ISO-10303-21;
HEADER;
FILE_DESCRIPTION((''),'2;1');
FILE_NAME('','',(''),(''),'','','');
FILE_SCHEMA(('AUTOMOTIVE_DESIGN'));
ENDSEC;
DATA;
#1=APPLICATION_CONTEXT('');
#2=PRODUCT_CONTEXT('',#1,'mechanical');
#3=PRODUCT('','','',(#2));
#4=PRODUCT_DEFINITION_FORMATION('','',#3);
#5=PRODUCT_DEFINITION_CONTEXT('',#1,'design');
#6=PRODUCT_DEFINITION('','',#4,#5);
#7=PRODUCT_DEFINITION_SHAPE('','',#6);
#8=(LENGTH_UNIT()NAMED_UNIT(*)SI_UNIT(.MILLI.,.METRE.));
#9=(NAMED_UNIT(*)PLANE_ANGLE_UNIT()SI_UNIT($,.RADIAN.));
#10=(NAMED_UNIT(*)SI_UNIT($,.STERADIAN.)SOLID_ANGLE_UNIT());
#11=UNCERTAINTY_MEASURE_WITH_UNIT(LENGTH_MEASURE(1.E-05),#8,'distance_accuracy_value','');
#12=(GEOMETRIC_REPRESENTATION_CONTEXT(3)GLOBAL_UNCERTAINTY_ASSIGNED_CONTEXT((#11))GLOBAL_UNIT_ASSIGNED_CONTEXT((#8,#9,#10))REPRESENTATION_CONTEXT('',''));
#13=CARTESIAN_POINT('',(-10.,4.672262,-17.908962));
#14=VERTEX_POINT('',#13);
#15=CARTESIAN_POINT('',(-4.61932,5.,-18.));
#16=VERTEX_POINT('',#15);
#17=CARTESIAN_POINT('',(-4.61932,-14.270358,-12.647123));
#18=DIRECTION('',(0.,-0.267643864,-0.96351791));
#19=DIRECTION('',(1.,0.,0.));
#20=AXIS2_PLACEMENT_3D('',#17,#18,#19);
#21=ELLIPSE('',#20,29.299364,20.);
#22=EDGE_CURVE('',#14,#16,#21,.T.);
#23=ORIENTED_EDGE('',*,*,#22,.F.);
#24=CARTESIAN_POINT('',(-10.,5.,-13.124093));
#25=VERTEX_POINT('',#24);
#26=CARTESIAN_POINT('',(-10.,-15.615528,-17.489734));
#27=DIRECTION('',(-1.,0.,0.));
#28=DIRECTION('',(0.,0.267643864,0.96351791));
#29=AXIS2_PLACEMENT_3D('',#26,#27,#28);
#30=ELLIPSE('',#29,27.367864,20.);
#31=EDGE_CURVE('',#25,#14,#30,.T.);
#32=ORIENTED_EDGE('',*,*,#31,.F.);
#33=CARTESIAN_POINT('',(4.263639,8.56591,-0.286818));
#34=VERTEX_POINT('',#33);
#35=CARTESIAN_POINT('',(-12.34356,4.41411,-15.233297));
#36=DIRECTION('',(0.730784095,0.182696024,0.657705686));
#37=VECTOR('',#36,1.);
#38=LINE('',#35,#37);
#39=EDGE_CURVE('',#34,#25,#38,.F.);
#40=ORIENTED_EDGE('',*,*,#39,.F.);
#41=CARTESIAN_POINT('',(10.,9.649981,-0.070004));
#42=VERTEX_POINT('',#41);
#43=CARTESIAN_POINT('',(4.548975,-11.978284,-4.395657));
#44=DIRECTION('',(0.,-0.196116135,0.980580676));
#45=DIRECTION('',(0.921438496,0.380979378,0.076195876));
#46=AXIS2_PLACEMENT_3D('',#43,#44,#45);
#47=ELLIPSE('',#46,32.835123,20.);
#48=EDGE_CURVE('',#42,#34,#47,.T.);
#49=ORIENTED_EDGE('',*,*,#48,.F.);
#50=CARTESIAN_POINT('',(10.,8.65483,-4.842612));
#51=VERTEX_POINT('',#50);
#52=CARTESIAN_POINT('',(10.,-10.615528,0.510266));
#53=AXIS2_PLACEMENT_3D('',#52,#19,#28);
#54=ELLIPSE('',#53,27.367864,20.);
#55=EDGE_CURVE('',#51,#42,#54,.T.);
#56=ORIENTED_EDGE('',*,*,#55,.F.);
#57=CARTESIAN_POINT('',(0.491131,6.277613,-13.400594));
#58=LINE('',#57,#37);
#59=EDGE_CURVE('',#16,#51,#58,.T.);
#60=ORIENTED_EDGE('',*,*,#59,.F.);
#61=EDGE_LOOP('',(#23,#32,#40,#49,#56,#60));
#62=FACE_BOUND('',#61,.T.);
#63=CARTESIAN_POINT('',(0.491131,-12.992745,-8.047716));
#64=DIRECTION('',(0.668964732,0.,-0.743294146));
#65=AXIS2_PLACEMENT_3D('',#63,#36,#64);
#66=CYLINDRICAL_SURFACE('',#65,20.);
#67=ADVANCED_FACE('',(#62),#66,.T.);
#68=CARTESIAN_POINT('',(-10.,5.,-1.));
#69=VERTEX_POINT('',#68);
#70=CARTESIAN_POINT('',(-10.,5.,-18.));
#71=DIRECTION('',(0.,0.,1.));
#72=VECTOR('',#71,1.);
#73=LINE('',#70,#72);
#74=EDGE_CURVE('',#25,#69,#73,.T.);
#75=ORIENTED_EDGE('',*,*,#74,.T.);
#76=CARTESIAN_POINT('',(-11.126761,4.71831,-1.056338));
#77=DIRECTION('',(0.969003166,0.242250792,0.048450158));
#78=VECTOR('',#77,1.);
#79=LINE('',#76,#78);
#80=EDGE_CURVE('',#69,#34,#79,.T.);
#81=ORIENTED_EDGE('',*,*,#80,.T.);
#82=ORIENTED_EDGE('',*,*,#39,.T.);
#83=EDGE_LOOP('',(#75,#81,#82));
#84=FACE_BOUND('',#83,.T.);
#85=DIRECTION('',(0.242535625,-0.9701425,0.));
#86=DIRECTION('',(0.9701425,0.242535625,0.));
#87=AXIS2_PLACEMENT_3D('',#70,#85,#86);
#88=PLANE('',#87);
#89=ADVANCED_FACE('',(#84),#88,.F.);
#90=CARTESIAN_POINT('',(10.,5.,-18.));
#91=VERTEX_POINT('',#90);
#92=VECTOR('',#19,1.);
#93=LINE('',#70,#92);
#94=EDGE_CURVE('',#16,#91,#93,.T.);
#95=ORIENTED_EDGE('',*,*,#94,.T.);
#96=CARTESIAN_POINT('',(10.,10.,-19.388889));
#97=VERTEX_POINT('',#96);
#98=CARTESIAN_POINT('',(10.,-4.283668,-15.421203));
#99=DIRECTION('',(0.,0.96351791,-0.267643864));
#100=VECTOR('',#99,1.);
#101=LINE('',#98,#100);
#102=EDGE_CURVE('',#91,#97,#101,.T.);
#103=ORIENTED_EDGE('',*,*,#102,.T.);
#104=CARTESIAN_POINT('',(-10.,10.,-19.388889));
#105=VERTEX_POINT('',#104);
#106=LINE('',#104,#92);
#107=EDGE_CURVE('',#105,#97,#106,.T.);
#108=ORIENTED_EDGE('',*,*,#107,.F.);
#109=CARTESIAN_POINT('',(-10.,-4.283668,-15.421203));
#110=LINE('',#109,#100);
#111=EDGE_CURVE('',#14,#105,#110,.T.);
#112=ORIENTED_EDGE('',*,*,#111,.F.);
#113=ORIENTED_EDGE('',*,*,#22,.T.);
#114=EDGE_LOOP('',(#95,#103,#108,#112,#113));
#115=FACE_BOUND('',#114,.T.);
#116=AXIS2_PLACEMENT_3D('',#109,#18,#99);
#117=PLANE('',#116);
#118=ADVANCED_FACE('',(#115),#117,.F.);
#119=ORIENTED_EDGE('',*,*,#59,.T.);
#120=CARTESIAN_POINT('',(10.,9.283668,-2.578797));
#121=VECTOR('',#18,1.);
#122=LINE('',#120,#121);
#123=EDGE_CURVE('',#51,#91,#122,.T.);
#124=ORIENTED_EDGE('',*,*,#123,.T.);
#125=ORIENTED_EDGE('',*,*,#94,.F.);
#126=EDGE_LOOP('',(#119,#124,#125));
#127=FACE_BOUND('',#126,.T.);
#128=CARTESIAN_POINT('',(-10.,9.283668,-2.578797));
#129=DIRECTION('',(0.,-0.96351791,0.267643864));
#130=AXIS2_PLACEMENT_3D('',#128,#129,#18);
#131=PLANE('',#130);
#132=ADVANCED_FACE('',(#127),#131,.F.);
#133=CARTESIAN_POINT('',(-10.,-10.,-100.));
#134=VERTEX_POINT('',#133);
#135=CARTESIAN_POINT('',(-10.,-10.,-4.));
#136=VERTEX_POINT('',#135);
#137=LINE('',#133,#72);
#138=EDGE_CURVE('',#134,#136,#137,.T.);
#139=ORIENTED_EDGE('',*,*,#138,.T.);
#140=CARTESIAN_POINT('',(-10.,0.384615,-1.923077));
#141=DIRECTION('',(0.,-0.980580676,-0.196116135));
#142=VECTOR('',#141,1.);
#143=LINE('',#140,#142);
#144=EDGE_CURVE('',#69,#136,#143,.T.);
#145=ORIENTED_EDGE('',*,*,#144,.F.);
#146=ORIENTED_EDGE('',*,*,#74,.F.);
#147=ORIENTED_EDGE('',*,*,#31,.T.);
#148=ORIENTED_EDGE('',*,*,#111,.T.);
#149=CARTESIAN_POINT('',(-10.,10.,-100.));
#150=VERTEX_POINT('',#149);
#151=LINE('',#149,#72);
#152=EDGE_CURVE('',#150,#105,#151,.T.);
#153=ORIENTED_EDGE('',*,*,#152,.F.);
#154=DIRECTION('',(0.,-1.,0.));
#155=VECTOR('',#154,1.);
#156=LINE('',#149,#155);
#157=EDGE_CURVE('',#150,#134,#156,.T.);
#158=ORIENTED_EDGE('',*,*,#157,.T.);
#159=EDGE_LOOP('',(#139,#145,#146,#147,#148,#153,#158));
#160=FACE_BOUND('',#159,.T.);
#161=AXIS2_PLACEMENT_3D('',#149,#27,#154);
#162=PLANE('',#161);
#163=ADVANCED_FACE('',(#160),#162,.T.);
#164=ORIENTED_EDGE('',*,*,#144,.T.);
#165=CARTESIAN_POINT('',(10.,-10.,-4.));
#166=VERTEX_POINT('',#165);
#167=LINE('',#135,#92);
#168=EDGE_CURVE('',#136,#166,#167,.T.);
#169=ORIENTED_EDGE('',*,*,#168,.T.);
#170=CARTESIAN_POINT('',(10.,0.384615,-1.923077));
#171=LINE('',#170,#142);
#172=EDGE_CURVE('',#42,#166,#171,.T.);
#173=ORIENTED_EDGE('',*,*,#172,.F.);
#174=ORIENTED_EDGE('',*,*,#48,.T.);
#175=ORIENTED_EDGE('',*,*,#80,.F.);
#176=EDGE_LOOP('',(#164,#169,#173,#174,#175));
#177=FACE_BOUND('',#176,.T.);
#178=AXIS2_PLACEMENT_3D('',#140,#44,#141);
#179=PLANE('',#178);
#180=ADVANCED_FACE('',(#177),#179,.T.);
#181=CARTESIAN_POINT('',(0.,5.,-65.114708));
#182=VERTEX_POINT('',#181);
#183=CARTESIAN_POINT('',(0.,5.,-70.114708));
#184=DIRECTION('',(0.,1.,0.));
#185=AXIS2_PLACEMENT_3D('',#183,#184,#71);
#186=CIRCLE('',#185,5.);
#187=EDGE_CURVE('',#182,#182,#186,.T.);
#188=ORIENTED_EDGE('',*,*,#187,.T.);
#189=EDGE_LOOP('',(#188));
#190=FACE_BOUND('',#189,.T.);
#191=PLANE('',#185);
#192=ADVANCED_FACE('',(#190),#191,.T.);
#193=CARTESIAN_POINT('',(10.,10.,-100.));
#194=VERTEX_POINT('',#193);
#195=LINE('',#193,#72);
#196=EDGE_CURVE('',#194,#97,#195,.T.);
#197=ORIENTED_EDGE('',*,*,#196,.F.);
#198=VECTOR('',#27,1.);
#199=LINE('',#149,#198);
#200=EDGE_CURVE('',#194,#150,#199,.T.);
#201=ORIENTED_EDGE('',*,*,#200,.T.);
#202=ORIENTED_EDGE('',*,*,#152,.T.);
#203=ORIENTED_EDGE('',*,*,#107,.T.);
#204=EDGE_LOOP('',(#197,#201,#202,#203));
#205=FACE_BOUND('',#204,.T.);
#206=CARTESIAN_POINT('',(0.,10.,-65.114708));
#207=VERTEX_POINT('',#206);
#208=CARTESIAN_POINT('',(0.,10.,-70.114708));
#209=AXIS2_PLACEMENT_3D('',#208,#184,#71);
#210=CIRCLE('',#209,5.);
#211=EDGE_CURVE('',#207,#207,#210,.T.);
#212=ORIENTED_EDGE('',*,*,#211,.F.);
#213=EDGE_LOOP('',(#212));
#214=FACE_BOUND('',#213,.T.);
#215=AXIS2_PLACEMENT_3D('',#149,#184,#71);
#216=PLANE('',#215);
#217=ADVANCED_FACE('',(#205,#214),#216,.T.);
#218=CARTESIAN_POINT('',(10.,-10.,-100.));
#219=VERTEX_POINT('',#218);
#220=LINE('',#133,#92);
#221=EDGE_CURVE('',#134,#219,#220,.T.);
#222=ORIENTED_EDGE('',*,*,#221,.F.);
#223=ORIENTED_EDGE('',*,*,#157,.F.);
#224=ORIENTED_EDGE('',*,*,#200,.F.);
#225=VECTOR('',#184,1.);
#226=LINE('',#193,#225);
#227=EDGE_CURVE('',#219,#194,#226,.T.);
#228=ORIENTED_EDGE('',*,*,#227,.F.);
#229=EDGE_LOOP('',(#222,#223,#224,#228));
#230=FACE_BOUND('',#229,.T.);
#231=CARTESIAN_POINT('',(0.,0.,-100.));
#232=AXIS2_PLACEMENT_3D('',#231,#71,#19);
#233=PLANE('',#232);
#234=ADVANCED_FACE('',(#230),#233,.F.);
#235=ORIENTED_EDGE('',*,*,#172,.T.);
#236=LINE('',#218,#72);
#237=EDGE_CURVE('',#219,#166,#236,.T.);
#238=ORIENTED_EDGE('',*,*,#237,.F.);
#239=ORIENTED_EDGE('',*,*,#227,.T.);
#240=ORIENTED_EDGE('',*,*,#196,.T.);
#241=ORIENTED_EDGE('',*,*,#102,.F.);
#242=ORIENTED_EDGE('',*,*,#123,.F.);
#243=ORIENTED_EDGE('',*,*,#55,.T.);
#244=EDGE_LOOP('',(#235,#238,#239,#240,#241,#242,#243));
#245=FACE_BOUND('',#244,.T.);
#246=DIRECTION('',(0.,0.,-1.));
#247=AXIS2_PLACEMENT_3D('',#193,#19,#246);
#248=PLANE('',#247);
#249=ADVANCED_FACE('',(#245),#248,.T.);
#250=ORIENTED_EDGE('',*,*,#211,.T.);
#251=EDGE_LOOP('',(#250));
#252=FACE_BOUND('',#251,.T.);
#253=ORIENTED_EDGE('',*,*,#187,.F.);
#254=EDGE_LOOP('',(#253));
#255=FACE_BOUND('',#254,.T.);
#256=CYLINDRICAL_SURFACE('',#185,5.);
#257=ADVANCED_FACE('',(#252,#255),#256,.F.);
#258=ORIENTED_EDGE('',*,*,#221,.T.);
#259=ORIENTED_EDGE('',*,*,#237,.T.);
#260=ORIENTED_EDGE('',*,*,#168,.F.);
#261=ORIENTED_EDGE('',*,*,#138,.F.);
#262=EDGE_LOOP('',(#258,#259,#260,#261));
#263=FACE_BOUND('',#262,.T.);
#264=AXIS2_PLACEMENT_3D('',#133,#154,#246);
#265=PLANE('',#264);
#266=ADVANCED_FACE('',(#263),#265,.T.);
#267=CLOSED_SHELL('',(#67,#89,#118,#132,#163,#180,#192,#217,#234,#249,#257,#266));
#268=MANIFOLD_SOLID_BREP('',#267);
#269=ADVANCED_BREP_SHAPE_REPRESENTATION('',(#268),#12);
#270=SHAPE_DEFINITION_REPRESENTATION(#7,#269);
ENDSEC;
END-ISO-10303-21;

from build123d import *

# Parameters (mm, degrees)
SKETCH1_W           = 20
SKETCH1_H           = 20
BOSS_EXTRUDE1_DEPTH = 100
CUT_EXTRUDE3_DEPTH  = 20
CUT_EXTRUDE4_DEPTH  = 18
FILLET3_R           = 20
SKETCH6_R           = 5
CUT_EXTRUDE5_DEPTH  = 5


with BuildPart() as part:
    # Sketch1 → Boss-Extrude1 (new body)
    with BuildSketch(Plane.XY):
        Rectangle(SKETCH1_W, SKETCH1_H)
    extrude(amount=-BOSS_EXTRUDE1_DEPTH)

    # Sketch4 → Cut-Extrude3 (cut)
    with BuildSketch(Plane(origin=(10, 0, 0), x_dir=(0, 0, -1), z_dir=(1, 0, 0))):
        Polygon((19.388888889, 10), (0, 10), (18, 5), align=None)
        Polygon((4, -10), (0, 10), (0, -10), align=None)
    extrude(amount=-CUT_EXTRUDE3_DEPTH, mode=Mode.SUBTRACT)

    # Sketch5 → Cut-Extrude4 (cut)
    with BuildSketch(Plane.XY):
        Polygon((-10, 5), (10, 10), (-10, 10), align=None)
    extrude(amount=-CUT_EXTRUDE4_DEPTH, mode=Mode.SUBTRACT)

    # Fillet3
    fillet3_edges = [part.edges().sort_by_distance(p)[0] for p in [
        (0, 7.5, -9),
    ]]
    fillet(fillet3_edges, radius=FILLET3_R)

    # Sketch6 → Cut-Extrude5 (cut)
    with BuildSketch(Plane(origin=(0, 10, 0), x_dir=(1, 0, 0), z_dir=(0, 1, 0))):
        with Locations((0, 70.114708412)):
            Circle(SKETCH6_R)
    extrude(amount=-CUT_EXTRUDE5_DEPTH, mode=Mode.SUBTRACT)


solid = part.part
